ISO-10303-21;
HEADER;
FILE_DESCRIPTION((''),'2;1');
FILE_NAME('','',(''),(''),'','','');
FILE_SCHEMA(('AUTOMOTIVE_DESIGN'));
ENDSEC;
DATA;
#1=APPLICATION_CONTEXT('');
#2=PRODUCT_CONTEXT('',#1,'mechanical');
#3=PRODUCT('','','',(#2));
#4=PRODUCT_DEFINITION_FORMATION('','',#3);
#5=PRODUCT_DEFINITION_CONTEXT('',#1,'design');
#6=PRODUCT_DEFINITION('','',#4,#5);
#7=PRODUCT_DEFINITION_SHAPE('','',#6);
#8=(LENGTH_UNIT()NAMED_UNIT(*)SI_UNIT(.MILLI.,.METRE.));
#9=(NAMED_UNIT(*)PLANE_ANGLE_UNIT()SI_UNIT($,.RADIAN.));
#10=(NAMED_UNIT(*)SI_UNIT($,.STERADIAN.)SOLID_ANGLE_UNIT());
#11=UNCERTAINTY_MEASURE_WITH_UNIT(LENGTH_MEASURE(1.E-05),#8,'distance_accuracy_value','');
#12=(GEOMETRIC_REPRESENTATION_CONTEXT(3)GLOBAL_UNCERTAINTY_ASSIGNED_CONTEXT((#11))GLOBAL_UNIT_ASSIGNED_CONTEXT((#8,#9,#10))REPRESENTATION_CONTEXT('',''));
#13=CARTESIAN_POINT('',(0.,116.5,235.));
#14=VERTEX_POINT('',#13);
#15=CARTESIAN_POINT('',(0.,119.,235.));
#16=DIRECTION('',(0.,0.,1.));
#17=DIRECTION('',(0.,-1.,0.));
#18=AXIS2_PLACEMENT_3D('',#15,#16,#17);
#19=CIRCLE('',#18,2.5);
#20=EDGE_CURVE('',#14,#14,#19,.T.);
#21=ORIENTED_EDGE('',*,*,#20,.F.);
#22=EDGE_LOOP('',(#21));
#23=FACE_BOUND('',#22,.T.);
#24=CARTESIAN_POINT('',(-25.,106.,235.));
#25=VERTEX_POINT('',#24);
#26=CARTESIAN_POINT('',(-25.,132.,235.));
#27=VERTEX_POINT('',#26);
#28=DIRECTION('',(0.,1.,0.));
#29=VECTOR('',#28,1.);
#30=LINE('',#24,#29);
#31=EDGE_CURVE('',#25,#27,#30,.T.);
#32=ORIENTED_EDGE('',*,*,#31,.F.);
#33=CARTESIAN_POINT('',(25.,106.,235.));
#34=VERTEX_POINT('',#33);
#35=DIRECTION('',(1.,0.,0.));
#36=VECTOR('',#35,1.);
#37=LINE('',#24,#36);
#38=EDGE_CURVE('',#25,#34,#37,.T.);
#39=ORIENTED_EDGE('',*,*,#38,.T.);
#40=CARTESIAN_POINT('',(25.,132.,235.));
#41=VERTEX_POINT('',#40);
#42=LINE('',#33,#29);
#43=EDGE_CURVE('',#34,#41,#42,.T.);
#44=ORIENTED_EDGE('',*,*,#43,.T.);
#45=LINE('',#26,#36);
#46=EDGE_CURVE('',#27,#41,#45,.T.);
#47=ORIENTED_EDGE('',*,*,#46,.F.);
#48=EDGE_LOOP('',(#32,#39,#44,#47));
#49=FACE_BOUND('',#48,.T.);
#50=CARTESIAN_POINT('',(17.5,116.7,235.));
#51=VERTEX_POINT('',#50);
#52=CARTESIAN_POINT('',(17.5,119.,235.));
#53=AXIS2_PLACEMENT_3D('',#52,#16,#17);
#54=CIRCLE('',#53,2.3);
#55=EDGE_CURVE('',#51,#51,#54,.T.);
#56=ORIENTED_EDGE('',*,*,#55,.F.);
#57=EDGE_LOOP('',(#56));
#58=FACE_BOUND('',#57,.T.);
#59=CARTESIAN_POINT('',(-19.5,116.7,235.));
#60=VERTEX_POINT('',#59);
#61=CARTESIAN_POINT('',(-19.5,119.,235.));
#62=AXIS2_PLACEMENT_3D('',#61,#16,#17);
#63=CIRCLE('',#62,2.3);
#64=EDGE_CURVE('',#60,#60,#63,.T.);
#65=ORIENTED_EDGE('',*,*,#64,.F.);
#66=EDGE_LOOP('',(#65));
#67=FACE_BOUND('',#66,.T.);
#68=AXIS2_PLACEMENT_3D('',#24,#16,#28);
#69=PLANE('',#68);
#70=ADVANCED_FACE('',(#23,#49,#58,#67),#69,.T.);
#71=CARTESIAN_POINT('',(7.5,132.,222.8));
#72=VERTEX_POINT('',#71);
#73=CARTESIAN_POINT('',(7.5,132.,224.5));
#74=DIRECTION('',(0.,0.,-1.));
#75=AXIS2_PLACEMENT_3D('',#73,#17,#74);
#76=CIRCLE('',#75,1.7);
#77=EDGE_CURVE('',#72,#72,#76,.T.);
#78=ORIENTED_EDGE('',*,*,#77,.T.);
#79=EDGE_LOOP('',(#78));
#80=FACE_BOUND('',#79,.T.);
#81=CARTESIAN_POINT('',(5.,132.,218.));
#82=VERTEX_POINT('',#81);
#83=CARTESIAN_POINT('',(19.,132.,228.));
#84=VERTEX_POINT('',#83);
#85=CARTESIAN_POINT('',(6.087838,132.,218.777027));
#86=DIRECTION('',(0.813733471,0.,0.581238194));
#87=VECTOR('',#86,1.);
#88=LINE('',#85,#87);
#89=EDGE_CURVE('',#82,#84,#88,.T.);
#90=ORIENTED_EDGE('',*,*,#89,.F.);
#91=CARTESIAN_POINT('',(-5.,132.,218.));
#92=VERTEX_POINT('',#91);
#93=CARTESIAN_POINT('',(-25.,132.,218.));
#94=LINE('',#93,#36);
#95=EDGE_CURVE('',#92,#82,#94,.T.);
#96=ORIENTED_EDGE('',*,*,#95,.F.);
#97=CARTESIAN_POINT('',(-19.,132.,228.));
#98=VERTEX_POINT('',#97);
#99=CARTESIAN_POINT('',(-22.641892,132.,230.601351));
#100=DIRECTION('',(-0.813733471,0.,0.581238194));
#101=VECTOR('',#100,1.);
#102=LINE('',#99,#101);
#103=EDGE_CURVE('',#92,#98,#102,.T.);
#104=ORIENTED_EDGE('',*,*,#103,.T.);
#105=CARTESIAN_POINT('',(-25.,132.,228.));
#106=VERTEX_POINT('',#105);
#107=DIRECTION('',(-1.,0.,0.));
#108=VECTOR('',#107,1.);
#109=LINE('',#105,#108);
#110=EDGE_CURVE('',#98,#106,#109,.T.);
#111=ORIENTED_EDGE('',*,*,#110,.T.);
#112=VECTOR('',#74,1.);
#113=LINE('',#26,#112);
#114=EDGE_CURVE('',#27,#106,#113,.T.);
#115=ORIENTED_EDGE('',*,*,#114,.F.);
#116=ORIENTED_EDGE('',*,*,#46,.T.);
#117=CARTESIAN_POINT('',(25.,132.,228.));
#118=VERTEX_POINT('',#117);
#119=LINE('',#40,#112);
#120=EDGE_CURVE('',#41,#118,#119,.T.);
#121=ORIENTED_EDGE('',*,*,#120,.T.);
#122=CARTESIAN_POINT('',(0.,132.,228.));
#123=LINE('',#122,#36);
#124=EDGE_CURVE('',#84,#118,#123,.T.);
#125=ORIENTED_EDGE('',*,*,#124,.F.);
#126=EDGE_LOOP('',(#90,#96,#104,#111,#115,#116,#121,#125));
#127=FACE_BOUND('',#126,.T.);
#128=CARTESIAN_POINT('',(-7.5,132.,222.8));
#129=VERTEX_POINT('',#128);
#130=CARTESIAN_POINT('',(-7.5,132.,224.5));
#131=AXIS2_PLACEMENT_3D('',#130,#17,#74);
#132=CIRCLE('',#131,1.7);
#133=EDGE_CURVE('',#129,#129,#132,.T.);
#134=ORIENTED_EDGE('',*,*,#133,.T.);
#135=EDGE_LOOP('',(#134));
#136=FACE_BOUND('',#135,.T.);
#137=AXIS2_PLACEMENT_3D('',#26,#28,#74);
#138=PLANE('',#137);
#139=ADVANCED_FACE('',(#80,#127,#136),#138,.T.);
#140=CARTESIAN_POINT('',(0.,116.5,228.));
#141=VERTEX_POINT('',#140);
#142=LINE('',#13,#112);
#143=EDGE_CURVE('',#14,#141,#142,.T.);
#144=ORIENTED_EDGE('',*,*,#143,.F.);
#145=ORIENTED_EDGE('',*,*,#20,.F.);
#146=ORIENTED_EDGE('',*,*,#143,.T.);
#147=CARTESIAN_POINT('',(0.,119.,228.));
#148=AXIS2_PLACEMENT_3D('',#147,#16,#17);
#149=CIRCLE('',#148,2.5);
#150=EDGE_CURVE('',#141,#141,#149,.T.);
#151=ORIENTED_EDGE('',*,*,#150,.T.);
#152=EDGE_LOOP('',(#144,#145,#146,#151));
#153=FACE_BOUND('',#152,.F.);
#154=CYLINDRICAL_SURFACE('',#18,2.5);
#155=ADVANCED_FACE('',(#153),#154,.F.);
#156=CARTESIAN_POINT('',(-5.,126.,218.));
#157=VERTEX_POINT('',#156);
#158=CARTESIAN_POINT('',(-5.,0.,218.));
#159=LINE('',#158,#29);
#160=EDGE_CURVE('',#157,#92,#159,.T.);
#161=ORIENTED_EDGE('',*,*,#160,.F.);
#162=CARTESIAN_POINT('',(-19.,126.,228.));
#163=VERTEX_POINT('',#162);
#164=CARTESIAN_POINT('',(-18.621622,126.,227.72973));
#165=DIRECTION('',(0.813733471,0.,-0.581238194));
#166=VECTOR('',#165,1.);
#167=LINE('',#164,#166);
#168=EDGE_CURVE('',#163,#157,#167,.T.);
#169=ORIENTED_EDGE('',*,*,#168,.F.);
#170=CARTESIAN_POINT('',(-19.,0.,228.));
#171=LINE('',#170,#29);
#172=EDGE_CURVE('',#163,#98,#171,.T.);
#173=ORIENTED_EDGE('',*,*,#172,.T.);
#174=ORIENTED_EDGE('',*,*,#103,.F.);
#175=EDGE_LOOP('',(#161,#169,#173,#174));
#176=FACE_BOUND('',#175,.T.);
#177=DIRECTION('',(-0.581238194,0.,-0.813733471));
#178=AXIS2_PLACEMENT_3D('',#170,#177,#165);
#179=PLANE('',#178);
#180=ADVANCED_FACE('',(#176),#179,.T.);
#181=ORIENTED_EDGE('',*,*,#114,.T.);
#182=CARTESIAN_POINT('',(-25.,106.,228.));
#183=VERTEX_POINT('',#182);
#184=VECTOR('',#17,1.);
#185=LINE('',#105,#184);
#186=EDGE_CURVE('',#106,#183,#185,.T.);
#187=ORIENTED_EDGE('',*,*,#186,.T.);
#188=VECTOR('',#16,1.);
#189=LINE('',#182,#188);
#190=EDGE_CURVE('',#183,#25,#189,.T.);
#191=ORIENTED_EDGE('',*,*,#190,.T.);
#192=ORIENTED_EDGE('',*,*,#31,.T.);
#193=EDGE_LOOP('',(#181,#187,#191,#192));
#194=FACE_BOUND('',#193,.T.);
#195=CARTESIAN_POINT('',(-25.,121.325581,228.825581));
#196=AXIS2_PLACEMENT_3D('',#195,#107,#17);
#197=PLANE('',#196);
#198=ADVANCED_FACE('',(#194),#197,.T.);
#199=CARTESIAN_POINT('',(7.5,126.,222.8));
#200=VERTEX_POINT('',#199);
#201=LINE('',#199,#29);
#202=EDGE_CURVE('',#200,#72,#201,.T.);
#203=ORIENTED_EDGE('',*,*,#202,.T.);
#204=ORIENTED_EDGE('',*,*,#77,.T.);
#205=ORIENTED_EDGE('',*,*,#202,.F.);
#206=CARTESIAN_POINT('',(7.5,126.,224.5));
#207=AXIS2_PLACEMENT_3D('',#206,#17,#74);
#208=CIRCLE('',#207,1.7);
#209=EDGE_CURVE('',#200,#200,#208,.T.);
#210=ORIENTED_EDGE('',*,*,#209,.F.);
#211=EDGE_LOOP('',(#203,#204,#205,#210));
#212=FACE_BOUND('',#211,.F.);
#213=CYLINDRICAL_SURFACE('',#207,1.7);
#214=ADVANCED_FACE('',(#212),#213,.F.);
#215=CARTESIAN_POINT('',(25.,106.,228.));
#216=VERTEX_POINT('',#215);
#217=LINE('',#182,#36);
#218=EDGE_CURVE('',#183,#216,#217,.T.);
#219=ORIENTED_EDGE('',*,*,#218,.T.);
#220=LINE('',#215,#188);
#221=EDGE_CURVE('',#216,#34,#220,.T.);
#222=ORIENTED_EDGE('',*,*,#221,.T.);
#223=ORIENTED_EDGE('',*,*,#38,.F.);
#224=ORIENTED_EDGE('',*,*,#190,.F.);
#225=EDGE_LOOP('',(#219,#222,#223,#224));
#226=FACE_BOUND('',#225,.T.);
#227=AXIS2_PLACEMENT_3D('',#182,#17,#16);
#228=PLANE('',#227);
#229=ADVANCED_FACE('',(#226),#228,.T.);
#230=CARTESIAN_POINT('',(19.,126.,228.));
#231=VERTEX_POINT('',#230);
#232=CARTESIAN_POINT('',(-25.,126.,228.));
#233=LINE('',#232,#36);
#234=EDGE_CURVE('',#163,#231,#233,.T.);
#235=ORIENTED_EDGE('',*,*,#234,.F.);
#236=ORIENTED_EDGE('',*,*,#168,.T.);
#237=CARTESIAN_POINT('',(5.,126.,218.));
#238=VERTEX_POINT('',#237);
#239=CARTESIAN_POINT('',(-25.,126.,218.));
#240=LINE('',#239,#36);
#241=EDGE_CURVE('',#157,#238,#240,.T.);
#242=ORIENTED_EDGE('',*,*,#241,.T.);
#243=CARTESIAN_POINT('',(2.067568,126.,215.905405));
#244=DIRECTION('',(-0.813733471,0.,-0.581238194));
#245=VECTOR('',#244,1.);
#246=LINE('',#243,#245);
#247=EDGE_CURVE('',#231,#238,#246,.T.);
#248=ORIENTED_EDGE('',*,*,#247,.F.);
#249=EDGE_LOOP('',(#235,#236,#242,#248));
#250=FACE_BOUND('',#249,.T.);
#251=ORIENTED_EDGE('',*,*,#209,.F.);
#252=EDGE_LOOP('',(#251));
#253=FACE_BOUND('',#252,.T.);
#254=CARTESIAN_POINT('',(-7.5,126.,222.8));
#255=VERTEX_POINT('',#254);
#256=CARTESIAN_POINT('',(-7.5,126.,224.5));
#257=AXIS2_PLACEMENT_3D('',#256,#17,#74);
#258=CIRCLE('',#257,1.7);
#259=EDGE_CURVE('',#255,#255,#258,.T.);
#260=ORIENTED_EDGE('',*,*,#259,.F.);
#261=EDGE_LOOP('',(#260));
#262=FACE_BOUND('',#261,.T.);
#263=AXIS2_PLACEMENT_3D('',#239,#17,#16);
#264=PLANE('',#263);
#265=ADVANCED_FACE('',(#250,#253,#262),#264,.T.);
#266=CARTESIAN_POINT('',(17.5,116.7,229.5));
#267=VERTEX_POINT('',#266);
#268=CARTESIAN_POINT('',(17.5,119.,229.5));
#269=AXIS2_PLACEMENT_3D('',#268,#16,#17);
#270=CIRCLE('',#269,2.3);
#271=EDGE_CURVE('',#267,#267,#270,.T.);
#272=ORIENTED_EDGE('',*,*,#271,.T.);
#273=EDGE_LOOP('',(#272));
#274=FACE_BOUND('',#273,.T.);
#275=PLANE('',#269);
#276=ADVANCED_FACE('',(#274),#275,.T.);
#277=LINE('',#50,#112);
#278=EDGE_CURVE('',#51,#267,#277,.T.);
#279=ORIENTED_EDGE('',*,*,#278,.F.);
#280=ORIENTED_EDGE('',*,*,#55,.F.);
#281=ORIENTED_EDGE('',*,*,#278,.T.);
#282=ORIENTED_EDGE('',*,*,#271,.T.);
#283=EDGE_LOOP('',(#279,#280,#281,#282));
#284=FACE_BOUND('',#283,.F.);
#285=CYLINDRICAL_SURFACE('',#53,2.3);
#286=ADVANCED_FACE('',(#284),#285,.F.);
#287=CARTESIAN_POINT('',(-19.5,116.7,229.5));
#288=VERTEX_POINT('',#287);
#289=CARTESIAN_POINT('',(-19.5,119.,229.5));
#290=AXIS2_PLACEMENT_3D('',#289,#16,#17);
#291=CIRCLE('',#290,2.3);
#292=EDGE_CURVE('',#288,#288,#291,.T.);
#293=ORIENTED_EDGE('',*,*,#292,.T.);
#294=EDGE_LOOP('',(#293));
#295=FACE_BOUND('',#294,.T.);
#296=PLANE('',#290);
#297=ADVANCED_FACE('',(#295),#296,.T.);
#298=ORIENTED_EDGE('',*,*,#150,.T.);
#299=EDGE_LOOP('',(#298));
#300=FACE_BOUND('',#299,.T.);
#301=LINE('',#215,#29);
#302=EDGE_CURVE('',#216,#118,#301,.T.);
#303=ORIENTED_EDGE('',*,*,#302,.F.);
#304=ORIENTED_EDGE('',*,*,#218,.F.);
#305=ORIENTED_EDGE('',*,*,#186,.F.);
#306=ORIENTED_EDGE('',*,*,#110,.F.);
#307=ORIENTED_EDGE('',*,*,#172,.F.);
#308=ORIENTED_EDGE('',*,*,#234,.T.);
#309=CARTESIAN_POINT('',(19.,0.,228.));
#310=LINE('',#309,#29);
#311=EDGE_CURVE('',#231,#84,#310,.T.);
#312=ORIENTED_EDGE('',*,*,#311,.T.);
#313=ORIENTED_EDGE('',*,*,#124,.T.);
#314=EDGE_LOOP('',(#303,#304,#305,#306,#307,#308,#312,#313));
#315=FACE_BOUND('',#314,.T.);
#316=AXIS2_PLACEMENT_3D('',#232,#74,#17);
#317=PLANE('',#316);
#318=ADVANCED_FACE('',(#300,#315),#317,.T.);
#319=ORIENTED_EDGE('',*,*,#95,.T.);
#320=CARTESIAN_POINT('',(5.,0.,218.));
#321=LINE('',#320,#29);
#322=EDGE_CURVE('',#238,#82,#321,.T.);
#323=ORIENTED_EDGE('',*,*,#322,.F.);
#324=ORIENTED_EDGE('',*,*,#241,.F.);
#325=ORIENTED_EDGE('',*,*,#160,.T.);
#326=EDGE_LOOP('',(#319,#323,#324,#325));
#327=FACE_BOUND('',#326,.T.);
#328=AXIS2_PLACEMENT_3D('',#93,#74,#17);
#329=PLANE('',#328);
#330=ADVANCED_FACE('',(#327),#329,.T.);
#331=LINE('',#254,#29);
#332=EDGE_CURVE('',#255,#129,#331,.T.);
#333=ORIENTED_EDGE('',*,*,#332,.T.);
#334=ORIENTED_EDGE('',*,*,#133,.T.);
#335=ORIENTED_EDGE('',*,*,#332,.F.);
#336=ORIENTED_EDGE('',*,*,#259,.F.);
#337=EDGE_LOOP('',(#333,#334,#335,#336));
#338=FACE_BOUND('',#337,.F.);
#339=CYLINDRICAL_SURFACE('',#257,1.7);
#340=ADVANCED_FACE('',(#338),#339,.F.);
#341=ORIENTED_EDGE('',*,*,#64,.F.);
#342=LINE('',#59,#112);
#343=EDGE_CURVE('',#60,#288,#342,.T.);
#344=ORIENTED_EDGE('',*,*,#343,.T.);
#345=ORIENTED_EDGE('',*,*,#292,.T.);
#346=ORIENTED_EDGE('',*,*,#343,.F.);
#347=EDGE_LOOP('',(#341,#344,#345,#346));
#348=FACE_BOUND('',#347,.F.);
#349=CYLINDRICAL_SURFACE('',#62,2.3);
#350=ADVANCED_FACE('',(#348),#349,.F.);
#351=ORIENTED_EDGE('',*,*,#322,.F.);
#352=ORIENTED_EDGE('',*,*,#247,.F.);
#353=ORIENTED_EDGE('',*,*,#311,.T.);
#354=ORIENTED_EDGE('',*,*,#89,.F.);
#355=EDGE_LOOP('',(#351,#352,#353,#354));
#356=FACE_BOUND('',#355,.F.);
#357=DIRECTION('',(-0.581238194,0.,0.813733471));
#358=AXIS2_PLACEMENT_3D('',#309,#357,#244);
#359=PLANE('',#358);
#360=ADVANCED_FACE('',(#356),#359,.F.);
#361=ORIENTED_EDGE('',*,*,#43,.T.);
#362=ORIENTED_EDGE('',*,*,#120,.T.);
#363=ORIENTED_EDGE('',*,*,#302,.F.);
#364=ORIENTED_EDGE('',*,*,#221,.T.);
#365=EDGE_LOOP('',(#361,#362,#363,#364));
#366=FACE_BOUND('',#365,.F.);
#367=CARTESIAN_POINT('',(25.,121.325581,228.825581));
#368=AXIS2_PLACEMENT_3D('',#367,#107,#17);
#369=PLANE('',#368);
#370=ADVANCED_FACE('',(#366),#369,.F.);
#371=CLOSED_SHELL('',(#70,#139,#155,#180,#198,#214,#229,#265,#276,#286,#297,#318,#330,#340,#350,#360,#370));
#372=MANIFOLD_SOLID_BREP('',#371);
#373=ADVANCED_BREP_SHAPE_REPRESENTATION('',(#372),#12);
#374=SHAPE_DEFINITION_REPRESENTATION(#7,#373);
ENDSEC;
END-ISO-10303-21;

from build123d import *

# Parameters (mm, degrees)
PAD039_DEPTH    = 50
POCKET035_DEPTH = 132.001
SKETCH113_R     = 2.3
POCKET036_DEPTH = 5.5
SKETCH114_R     = 1.7
HOLE022_DEPTH   = 25
SKETCH115_R     = 2.5
POCKET037_DEPTH = 17.001


with BuildPart() as part:
    # Sketch111 → Pad039 (new body)
    with BuildSketch(Plane.YZ):
        Polygon((106, 235), (132, 235), (132, 218), (126, 218), (126, 228), (106, 228), align=None)
    extrude(amount=PAD039_DEPTH)

    # Sketch112 → Pocket035 (cut, through all)
    with BuildSketch(Plane.XZ):
        Polygon((20, 218), (0, 218), (0, 228), (6, 228), align=None)
        Polygon((30, 218), (50, 218), (50, 228), (44, 228), align=None)
    extrude(amount=-POCKET035_DEPTH, mode=Mode.SUBTRACT)

    # Sketch113 (on Face1 of Pocket035) → Pocket036 (cut)
    with BuildSketch(Plane(origin=(0, 0, 235), x_dir=(0, -1, 0), z_dir=(0, 0, 1))):
        with Locations((-119, 42.5)):
            Circle(SKETCH113_R)
        with Locations((-119, 5.5)):
            Circle(SKETCH113_R)
    extrude(amount=-POCKET036_DEPTH, mode=Mode.SUBTRACT)

    # Sketch114 (on Face18 of Pocket036) → Hole022 (cut)
    with BuildSketch(Plane(origin=(0, 126, 0), x_dir=(0, 0, -1), z_dir=(0, -1, 0))):
        with Locations((-224.5, 32.5)):
            Circle(SKETCH114_R)
        with Locations((-224.5, 17.5)):
            Circle(SKETCH114_R)
    extrude(amount=-HOLE022_DEPTH, mode=Mode.SUBTRACT)

    # Sketch115 (on Face1 of Hole022) → Pocket037 (cut, through all)
    with BuildSketch(Plane(origin=(0, 0, 235), x_dir=(0, -1, 0), z_dir=(0, 0, 1))):
        with Locations((-119, 25)):
            Circle(SKETCH115_R)
    extrude(amount=-POCKET037_DEPTH, mode=Mode.SUBTRACT)


with BuildPart() as part_1:
    # Body016 placement: moved
    add(part.part.moved(Location((-25, 0, 0))))


solid = part_1.part
